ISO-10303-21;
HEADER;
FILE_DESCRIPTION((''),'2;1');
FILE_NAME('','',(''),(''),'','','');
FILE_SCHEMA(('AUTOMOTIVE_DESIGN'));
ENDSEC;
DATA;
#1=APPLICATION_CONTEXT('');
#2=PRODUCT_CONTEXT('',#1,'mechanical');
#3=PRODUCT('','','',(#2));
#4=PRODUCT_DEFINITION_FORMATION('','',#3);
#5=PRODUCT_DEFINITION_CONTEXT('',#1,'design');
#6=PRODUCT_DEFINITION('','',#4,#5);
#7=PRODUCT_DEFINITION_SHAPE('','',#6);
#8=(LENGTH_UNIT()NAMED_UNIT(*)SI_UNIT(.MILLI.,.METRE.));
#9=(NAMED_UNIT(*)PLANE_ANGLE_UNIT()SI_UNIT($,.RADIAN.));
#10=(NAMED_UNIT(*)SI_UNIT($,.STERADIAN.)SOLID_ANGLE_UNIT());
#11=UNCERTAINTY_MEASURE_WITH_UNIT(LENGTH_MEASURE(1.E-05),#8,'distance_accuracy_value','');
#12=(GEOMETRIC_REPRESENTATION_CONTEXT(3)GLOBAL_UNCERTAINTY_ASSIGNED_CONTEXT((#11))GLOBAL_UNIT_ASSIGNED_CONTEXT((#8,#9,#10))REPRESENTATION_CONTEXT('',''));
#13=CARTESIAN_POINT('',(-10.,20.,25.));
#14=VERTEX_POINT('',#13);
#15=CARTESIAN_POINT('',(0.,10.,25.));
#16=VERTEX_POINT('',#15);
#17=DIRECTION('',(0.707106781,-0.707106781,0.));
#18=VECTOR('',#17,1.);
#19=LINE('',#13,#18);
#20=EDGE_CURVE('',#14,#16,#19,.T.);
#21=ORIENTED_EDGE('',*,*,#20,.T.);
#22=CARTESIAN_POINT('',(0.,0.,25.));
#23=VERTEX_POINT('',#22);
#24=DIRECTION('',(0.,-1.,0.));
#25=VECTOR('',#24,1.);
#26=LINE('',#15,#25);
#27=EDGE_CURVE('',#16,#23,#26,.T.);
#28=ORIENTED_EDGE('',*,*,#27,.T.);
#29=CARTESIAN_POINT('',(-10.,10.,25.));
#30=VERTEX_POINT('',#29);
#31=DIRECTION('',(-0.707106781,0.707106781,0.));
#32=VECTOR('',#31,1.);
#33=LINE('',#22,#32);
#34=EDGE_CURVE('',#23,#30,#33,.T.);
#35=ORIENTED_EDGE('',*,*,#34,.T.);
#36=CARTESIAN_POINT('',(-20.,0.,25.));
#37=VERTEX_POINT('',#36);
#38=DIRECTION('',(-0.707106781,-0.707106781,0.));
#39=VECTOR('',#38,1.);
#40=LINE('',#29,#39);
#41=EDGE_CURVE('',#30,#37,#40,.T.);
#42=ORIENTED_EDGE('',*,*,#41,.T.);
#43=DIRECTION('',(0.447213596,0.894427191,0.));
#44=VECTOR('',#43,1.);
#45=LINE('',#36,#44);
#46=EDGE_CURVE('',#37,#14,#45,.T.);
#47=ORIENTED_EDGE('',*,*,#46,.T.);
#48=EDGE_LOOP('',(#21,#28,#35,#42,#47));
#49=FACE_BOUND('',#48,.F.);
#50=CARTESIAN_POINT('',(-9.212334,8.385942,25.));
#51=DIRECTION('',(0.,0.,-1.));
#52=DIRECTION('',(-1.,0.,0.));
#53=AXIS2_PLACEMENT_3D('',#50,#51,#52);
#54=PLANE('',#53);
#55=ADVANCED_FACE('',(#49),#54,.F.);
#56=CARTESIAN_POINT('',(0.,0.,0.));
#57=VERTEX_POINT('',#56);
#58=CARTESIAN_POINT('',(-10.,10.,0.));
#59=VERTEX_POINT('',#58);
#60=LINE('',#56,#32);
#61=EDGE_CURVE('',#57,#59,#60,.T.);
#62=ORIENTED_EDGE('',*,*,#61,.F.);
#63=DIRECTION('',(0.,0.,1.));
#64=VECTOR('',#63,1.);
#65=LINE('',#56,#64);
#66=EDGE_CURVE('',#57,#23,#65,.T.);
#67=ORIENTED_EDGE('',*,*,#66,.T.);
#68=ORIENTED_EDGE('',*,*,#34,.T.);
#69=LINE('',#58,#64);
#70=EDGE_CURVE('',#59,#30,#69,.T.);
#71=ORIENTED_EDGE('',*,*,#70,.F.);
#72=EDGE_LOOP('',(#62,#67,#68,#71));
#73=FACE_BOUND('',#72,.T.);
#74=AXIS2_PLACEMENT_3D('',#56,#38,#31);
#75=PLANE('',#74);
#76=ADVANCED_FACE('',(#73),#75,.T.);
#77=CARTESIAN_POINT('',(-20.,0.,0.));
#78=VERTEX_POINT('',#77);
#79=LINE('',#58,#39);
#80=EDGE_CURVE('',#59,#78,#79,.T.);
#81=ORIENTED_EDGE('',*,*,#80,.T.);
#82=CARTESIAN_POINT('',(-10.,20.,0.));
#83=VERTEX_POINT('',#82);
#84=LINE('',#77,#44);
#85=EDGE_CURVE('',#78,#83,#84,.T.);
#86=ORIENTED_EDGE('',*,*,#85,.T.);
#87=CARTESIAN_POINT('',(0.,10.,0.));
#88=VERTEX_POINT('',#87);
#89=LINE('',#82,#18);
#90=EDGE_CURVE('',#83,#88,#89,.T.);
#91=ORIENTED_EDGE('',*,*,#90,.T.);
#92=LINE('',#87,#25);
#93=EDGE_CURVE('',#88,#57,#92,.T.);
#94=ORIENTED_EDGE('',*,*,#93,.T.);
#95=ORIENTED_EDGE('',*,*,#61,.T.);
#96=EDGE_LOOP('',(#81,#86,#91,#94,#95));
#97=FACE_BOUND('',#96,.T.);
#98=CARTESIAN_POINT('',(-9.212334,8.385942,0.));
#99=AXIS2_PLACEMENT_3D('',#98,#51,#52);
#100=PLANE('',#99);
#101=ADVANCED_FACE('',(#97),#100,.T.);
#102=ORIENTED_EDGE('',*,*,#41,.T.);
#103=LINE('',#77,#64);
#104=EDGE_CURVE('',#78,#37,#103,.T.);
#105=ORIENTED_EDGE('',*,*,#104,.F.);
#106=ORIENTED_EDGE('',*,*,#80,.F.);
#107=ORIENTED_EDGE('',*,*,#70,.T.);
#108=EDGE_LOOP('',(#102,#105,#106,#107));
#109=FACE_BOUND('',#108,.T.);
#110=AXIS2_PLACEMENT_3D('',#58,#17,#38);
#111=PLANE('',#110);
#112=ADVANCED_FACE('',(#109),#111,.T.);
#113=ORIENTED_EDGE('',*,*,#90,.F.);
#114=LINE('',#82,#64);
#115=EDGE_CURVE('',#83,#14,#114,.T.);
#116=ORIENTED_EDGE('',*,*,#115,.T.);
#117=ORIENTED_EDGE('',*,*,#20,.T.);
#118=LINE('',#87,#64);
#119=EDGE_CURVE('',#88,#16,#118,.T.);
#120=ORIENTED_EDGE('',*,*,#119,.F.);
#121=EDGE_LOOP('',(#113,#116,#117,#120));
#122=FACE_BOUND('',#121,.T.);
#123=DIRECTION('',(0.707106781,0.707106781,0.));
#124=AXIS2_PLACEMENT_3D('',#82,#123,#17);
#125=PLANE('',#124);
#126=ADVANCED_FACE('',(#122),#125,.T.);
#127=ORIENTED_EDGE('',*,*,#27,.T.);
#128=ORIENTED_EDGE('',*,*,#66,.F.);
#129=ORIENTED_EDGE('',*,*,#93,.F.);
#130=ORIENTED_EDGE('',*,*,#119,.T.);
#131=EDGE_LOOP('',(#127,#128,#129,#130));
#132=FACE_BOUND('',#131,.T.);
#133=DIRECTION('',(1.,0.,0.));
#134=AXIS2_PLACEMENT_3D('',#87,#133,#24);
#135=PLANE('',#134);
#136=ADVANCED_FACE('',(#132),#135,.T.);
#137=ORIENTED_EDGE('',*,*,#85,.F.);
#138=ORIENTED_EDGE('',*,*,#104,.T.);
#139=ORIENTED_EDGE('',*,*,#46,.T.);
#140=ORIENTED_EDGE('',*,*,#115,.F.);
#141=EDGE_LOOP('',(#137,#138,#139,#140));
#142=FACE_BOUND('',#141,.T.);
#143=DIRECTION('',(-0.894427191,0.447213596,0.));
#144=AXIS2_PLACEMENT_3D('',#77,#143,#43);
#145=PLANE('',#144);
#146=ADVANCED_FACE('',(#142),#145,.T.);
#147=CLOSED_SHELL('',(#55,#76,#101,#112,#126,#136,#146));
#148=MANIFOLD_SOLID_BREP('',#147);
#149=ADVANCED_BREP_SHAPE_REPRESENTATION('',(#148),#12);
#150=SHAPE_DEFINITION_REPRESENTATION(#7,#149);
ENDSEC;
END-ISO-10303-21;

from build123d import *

# Parameters (mm, degrees)
BOSS_EXTRUDE1_DEPTH = 25


with BuildPart() as part:
    # Sketch1 → Boss-Extrude1 (new body)
    with BuildSketch(Plane.XY):
        Polygon((-20, 0), (-10, 20), (0, 10), (0, 0), (-10, 10), align=None)
    extrude(amount=BOSS_EXTRUDE1_DEPTH)


solid = part.part
